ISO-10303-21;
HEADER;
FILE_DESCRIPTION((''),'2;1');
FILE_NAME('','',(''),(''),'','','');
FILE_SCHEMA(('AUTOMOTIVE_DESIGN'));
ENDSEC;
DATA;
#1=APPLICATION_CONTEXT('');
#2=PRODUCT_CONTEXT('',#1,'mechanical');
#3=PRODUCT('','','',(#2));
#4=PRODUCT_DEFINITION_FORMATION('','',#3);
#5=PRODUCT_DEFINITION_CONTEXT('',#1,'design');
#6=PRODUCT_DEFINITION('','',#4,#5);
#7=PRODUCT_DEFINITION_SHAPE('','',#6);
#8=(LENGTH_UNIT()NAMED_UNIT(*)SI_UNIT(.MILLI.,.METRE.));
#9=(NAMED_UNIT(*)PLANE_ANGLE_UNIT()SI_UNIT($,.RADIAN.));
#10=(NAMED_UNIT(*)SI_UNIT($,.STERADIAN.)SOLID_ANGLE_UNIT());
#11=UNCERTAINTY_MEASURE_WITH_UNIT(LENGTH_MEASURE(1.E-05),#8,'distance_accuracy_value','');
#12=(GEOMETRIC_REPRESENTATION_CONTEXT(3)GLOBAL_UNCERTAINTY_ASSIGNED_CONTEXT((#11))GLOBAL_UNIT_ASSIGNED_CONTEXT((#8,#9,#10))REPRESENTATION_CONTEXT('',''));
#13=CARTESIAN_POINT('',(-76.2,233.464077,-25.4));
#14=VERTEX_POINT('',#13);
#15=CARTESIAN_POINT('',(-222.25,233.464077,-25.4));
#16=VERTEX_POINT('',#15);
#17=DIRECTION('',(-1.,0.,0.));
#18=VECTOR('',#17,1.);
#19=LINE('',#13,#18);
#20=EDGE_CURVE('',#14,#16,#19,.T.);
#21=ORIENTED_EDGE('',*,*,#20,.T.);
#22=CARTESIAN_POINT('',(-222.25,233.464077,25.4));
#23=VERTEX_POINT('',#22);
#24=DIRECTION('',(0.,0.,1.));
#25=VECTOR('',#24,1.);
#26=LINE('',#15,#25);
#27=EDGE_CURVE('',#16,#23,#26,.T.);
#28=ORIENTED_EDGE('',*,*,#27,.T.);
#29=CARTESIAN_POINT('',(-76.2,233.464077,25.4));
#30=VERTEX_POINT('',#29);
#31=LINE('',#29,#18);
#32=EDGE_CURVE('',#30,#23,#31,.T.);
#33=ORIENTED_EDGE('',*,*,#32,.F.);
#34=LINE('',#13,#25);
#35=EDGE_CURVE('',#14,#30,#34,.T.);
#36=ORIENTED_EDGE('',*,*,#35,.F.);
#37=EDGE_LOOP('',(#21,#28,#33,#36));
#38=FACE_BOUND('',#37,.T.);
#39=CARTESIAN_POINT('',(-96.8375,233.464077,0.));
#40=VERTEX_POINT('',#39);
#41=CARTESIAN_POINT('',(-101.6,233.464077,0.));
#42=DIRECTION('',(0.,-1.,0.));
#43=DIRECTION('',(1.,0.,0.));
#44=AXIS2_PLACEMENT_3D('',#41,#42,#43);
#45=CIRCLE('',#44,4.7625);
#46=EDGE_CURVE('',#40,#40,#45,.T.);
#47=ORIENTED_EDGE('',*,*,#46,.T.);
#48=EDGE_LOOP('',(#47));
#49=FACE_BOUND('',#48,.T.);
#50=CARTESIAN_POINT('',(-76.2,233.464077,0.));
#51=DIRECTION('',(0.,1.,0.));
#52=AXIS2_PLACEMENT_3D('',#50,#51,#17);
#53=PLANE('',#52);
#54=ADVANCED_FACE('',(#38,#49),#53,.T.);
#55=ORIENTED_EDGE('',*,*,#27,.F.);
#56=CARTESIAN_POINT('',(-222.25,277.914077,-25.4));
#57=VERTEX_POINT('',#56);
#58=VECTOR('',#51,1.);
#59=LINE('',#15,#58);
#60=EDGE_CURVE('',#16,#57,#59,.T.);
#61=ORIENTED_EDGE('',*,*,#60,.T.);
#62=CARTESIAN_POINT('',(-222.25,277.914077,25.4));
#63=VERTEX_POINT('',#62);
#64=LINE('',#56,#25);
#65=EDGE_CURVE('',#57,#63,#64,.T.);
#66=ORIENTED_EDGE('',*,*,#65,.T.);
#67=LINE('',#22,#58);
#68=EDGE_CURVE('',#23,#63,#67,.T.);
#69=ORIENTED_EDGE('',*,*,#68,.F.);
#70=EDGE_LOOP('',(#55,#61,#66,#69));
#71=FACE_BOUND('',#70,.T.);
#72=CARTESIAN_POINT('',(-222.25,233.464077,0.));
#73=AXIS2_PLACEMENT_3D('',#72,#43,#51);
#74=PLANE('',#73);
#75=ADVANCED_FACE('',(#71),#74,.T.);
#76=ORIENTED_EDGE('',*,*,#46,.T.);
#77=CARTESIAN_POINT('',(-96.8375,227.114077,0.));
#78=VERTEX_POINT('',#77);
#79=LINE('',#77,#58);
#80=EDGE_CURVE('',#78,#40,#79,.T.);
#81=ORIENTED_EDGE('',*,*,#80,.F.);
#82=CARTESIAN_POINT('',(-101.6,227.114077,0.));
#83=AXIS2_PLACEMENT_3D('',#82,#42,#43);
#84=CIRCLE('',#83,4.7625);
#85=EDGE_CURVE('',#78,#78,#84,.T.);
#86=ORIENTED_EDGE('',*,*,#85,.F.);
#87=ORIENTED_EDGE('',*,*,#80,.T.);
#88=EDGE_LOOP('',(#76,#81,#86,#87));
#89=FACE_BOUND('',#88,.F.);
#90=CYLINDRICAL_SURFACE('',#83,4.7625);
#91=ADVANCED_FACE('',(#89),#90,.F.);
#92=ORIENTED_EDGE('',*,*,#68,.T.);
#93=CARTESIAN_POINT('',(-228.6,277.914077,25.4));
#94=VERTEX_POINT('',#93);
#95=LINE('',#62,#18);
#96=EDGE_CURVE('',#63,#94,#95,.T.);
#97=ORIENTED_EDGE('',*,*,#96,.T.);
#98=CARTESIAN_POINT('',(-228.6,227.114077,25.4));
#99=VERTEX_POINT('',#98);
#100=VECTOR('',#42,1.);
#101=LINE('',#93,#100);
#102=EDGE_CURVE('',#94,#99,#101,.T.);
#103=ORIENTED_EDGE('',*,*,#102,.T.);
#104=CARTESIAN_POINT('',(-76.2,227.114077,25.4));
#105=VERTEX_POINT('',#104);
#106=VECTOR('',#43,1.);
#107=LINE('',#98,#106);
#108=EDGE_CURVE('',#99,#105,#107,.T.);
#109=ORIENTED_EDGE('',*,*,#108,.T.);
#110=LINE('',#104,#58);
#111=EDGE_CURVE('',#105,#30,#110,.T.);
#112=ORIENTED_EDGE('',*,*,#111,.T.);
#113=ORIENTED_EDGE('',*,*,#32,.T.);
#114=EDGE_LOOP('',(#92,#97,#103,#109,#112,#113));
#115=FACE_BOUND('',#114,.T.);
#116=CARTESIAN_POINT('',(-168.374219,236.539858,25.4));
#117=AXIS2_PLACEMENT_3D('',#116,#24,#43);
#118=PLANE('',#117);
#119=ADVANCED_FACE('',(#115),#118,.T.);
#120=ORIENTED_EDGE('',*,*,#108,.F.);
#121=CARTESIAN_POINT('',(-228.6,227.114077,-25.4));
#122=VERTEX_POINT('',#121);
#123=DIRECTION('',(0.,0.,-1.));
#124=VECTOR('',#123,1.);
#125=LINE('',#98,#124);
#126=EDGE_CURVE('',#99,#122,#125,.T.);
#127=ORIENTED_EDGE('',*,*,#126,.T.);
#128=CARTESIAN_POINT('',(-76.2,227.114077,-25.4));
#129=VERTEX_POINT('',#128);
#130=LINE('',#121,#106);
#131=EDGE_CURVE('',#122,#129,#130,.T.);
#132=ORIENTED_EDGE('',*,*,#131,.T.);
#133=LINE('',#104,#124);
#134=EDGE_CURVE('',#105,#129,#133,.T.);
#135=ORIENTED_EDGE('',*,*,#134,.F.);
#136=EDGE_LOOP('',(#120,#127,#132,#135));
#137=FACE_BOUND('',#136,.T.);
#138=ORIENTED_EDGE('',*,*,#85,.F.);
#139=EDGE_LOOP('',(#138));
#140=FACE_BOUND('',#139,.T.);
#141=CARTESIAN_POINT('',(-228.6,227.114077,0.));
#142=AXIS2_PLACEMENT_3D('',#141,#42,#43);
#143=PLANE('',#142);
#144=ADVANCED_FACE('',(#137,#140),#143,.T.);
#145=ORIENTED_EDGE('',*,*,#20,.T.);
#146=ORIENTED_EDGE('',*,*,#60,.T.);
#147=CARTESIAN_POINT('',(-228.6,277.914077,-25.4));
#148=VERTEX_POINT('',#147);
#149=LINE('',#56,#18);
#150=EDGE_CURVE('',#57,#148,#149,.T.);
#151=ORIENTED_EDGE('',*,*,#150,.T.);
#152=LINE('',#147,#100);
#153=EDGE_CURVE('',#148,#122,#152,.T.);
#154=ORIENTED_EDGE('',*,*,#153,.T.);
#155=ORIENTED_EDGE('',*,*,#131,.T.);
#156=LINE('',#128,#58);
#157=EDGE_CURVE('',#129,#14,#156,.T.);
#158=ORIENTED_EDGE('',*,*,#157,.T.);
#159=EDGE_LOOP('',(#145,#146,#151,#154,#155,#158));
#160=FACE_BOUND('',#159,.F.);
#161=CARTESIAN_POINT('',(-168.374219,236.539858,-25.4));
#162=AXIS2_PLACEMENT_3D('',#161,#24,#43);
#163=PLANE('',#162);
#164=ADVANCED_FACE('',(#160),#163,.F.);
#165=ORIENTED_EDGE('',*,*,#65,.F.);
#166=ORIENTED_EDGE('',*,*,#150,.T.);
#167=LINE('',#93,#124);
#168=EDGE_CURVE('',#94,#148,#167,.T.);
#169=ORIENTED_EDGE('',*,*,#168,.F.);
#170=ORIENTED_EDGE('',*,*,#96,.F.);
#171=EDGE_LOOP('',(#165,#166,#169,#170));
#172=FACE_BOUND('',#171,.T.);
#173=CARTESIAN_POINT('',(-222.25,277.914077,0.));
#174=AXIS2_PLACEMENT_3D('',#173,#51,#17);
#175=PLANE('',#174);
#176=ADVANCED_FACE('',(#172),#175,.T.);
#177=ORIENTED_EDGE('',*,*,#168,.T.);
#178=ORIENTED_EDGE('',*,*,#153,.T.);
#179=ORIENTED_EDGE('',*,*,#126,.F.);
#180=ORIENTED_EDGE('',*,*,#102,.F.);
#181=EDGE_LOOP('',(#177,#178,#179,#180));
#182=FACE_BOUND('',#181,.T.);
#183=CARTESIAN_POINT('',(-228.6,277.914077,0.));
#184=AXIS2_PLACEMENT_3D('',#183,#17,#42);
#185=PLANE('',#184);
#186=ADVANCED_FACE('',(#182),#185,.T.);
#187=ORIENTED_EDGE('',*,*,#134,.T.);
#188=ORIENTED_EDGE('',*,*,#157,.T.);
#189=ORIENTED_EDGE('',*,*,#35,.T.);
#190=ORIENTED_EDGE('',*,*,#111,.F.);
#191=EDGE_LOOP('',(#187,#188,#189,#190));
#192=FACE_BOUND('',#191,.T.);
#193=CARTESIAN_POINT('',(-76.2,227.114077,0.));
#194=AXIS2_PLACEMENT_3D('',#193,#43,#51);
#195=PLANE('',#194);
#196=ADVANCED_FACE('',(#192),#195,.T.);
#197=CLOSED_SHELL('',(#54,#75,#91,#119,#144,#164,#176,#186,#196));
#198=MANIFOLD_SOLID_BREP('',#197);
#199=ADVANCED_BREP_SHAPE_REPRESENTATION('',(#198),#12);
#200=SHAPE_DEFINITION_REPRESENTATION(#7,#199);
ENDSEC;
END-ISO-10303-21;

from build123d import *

# Parameters (mm, degrees)
F1_DEPTH = 25.4
F2_R     = 4.7625
F3_DEPTH = 50.801


with BuildPart() as f1:
    # F0 (on Top) → F1 (new body, symmetric)
    with BuildSketch(Plane.XY):
        Polygon((-76.2, 227.114077), (-76.2, 233.464077), (-222.25, 233.464077), (-222.25, 277.914077), (-228.6, 277.914077), (-228.6, 227.114077), align=None)
    extrude(amount=F1_DEPTH, both=True)

    # F2 (on face) → F3 (cut, through all)
    with BuildSketch(Plane.XZ.offset(-227.114077)):
        with Locations((-101.6, 0)):
            Circle(F2_R)
    extrude(amount=-F3_DEPTH, mode=Mode.SUBTRACT)


solid = f1.part
